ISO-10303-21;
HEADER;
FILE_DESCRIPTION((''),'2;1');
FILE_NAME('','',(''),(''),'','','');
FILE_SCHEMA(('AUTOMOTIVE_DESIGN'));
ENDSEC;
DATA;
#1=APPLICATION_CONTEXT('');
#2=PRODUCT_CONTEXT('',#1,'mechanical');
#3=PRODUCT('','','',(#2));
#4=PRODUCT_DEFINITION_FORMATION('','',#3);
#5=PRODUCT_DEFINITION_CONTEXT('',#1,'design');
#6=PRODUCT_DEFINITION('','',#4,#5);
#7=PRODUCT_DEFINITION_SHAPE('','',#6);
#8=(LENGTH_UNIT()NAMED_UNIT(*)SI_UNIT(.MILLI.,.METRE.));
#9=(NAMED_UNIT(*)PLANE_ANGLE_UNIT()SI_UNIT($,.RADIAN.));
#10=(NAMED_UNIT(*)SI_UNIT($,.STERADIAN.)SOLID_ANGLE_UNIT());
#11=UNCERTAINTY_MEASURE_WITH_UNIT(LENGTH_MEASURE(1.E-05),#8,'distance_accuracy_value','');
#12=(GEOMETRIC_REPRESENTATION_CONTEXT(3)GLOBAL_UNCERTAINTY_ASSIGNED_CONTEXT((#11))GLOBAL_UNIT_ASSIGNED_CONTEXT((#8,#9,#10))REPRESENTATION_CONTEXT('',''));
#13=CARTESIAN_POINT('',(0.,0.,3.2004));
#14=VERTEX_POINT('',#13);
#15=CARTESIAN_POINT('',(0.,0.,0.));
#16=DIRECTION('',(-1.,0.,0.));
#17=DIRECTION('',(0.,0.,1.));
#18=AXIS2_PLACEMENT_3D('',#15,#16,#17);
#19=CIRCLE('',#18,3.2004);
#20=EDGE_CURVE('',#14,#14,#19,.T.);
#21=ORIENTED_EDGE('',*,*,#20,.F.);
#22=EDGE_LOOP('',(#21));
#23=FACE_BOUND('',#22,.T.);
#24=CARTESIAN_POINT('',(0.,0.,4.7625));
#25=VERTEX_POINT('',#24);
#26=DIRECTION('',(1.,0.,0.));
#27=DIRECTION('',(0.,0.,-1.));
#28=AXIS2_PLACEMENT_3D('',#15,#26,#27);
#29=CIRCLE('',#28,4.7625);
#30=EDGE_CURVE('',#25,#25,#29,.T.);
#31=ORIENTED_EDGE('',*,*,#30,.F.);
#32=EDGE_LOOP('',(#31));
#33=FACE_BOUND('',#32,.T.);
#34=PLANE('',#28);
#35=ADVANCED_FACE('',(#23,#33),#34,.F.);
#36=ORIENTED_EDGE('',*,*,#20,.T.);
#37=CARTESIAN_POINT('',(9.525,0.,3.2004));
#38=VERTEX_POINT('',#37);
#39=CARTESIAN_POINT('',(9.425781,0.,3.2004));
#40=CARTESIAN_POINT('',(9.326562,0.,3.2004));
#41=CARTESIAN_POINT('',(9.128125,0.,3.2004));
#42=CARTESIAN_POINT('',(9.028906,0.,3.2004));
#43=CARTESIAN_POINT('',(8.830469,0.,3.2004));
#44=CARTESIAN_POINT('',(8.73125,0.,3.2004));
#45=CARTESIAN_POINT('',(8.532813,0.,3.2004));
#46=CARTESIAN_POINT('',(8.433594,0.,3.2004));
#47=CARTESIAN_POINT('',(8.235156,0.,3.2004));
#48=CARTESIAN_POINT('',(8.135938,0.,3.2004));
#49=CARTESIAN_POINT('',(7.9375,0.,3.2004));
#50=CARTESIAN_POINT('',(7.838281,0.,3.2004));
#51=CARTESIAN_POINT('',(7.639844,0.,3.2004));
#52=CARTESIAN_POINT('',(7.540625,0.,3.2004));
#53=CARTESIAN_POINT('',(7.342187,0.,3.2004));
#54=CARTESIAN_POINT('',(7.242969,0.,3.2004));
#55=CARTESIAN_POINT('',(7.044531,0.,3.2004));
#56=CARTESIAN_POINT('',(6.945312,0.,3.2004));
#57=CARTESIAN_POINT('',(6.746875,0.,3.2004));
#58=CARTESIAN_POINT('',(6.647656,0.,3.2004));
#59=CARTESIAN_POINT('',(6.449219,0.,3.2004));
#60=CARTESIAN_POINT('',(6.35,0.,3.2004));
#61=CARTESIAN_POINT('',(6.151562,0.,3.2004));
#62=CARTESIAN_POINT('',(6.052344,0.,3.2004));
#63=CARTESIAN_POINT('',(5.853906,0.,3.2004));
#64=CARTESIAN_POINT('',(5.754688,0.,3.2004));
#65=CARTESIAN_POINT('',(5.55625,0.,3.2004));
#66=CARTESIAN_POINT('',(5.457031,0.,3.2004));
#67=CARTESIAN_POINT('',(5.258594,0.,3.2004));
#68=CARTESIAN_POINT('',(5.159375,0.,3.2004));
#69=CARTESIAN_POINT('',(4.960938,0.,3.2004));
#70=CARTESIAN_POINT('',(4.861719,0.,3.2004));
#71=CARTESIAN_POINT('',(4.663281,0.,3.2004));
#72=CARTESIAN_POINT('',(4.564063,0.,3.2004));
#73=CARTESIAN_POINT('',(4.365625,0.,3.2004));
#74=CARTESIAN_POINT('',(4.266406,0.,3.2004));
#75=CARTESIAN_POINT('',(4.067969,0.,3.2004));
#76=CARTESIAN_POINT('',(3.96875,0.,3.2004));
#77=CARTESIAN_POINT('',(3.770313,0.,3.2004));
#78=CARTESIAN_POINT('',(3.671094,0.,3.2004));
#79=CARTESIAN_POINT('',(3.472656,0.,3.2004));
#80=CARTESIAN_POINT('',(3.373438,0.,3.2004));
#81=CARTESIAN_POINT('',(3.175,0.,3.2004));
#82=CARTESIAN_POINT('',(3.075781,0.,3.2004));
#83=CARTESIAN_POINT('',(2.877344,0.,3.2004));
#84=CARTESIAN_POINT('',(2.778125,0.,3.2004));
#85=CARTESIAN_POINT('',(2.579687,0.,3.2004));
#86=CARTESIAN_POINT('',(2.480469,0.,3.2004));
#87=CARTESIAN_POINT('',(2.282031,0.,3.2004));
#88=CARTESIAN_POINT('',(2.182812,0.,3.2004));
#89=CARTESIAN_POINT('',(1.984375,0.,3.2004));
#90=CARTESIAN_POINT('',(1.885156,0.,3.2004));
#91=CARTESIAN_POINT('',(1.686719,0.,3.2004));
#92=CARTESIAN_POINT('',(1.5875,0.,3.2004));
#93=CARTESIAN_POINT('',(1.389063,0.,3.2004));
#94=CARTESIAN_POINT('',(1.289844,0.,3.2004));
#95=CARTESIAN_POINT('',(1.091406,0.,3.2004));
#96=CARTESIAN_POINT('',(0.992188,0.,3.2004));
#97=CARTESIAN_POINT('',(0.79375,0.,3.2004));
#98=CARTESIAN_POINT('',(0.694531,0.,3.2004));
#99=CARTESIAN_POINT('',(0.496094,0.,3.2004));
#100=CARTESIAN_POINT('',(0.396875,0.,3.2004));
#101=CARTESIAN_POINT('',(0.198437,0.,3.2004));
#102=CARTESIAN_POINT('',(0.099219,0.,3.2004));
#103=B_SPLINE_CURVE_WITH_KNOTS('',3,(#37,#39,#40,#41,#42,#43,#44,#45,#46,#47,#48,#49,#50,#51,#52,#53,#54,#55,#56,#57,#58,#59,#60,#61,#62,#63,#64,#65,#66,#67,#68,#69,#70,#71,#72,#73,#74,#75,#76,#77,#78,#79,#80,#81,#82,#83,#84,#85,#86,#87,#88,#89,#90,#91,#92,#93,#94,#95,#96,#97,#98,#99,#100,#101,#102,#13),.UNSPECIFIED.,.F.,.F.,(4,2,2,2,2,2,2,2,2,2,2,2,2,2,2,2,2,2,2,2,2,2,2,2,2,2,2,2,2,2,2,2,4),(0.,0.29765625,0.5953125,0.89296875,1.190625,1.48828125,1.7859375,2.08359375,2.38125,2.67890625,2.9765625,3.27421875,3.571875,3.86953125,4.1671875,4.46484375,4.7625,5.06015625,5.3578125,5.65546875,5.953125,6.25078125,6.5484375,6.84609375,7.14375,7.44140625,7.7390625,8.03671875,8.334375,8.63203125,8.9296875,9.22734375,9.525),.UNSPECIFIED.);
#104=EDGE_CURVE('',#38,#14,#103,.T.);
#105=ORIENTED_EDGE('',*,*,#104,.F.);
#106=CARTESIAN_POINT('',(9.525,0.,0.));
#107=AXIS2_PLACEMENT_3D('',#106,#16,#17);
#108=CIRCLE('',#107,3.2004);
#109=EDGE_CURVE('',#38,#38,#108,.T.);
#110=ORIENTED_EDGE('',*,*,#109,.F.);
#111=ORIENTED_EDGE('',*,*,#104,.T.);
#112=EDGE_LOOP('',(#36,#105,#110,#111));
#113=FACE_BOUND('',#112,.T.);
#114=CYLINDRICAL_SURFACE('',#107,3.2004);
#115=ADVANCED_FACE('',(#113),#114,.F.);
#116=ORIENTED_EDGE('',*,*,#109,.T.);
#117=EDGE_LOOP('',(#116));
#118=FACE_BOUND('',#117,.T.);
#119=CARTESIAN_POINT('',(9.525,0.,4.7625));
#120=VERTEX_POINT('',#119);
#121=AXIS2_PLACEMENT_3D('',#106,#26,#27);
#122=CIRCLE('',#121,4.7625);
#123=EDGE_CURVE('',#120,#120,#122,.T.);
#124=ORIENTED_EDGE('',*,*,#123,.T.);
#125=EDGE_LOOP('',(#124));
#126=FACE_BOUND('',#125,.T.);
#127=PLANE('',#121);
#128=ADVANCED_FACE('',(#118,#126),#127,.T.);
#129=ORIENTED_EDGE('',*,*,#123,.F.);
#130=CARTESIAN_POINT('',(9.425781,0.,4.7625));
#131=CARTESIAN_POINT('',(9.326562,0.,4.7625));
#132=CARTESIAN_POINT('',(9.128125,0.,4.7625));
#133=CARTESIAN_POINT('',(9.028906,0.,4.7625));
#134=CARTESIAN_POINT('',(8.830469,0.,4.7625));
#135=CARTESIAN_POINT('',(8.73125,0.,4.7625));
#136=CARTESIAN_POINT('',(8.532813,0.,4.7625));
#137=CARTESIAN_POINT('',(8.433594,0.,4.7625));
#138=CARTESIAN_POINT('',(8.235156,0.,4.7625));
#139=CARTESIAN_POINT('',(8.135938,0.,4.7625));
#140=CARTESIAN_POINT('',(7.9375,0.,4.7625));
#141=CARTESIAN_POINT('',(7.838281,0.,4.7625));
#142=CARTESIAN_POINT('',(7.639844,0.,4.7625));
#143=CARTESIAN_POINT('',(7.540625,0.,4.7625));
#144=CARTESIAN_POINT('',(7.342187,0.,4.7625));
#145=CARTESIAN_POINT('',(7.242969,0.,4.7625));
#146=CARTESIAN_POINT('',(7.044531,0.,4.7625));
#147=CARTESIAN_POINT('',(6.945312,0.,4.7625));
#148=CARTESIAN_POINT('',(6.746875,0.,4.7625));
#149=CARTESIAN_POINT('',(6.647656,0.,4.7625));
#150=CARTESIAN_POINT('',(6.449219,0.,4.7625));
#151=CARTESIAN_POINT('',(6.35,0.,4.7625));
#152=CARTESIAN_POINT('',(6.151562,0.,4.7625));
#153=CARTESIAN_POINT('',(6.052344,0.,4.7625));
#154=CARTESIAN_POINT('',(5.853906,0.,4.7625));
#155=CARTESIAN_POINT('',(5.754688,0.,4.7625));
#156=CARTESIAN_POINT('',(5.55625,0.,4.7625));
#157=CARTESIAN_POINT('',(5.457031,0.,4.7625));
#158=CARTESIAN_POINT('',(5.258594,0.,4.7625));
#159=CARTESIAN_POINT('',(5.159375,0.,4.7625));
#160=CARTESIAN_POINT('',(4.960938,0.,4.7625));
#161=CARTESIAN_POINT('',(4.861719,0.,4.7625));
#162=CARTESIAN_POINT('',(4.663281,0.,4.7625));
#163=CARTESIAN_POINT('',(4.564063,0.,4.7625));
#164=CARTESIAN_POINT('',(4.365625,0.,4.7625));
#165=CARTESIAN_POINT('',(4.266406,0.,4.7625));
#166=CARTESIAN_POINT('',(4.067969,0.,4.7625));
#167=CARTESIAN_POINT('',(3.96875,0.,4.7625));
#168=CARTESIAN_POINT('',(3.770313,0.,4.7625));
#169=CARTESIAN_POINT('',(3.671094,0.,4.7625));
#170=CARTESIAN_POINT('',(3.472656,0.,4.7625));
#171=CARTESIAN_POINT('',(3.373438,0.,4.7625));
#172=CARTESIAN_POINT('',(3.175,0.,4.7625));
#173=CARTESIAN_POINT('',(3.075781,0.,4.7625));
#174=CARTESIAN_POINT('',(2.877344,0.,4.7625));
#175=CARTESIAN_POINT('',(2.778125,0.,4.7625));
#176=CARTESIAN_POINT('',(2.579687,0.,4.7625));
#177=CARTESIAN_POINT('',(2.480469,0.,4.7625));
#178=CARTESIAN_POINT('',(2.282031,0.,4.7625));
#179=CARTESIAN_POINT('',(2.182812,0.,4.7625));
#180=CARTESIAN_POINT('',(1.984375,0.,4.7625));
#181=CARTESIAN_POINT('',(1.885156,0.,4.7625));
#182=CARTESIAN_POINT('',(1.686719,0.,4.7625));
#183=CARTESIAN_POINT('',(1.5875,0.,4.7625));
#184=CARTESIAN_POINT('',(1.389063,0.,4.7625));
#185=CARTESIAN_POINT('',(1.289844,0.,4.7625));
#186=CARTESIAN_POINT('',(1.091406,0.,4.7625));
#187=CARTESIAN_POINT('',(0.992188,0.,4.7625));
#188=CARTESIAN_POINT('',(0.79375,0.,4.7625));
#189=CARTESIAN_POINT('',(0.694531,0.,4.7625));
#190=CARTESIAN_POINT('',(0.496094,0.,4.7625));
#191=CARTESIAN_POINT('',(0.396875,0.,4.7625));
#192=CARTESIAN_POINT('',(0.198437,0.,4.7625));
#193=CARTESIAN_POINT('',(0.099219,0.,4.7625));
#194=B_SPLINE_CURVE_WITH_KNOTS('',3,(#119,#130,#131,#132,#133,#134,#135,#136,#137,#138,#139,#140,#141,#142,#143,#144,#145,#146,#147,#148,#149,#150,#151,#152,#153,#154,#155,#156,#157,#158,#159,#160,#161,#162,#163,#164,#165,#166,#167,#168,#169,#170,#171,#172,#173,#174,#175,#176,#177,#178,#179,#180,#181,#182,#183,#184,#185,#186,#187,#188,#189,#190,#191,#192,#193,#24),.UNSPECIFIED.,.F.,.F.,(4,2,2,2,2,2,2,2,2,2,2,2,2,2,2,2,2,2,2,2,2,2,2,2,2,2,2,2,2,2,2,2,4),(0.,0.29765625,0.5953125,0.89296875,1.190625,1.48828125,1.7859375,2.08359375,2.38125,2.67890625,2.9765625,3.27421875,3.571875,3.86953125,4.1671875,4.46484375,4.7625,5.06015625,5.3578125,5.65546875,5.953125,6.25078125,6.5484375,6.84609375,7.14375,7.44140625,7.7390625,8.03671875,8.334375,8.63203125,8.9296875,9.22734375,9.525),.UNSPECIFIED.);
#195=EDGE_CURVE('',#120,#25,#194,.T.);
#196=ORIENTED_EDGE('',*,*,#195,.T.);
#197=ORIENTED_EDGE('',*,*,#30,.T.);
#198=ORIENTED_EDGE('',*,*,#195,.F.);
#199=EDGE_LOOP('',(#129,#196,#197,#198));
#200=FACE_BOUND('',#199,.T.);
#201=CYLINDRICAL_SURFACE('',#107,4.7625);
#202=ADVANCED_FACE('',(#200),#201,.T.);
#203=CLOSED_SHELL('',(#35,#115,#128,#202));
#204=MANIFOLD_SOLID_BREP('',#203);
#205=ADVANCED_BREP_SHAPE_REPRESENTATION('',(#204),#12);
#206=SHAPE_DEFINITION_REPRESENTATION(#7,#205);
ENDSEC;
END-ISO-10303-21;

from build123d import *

# Parameters (mm, degrees)
SKETCH1_R           = 4.7625
BOSS_EXTRUDE1_DEPTH = 9.525
SKETCH2_R           = 3.2004
CUT_EXTRUDE1_DEPTH  = 9.525


with BuildPart() as part:
    # Sketch1 → Boss-Extrude1 (new body)
    with BuildSketch(Plane(origin=(0, 0, 0), x_dir=(0, 0, -1), z_dir=(1, 0, 0))):
        with Locations(Location((0, 0, 0), (0, 0, 180))):
            Circle(SKETCH1_R)
    extrude(amount=BOSS_EXTRUDE1_DEPTH)

    # Sketch2 → Cut-Extrude1 (cut)
    with BuildSketch(Plane.ZY):
        Circle(SKETCH2_R)
    extrude(amount=-CUT_EXTRUDE1_DEPTH, mode=Mode.SUBTRACT)


solid = part.part
